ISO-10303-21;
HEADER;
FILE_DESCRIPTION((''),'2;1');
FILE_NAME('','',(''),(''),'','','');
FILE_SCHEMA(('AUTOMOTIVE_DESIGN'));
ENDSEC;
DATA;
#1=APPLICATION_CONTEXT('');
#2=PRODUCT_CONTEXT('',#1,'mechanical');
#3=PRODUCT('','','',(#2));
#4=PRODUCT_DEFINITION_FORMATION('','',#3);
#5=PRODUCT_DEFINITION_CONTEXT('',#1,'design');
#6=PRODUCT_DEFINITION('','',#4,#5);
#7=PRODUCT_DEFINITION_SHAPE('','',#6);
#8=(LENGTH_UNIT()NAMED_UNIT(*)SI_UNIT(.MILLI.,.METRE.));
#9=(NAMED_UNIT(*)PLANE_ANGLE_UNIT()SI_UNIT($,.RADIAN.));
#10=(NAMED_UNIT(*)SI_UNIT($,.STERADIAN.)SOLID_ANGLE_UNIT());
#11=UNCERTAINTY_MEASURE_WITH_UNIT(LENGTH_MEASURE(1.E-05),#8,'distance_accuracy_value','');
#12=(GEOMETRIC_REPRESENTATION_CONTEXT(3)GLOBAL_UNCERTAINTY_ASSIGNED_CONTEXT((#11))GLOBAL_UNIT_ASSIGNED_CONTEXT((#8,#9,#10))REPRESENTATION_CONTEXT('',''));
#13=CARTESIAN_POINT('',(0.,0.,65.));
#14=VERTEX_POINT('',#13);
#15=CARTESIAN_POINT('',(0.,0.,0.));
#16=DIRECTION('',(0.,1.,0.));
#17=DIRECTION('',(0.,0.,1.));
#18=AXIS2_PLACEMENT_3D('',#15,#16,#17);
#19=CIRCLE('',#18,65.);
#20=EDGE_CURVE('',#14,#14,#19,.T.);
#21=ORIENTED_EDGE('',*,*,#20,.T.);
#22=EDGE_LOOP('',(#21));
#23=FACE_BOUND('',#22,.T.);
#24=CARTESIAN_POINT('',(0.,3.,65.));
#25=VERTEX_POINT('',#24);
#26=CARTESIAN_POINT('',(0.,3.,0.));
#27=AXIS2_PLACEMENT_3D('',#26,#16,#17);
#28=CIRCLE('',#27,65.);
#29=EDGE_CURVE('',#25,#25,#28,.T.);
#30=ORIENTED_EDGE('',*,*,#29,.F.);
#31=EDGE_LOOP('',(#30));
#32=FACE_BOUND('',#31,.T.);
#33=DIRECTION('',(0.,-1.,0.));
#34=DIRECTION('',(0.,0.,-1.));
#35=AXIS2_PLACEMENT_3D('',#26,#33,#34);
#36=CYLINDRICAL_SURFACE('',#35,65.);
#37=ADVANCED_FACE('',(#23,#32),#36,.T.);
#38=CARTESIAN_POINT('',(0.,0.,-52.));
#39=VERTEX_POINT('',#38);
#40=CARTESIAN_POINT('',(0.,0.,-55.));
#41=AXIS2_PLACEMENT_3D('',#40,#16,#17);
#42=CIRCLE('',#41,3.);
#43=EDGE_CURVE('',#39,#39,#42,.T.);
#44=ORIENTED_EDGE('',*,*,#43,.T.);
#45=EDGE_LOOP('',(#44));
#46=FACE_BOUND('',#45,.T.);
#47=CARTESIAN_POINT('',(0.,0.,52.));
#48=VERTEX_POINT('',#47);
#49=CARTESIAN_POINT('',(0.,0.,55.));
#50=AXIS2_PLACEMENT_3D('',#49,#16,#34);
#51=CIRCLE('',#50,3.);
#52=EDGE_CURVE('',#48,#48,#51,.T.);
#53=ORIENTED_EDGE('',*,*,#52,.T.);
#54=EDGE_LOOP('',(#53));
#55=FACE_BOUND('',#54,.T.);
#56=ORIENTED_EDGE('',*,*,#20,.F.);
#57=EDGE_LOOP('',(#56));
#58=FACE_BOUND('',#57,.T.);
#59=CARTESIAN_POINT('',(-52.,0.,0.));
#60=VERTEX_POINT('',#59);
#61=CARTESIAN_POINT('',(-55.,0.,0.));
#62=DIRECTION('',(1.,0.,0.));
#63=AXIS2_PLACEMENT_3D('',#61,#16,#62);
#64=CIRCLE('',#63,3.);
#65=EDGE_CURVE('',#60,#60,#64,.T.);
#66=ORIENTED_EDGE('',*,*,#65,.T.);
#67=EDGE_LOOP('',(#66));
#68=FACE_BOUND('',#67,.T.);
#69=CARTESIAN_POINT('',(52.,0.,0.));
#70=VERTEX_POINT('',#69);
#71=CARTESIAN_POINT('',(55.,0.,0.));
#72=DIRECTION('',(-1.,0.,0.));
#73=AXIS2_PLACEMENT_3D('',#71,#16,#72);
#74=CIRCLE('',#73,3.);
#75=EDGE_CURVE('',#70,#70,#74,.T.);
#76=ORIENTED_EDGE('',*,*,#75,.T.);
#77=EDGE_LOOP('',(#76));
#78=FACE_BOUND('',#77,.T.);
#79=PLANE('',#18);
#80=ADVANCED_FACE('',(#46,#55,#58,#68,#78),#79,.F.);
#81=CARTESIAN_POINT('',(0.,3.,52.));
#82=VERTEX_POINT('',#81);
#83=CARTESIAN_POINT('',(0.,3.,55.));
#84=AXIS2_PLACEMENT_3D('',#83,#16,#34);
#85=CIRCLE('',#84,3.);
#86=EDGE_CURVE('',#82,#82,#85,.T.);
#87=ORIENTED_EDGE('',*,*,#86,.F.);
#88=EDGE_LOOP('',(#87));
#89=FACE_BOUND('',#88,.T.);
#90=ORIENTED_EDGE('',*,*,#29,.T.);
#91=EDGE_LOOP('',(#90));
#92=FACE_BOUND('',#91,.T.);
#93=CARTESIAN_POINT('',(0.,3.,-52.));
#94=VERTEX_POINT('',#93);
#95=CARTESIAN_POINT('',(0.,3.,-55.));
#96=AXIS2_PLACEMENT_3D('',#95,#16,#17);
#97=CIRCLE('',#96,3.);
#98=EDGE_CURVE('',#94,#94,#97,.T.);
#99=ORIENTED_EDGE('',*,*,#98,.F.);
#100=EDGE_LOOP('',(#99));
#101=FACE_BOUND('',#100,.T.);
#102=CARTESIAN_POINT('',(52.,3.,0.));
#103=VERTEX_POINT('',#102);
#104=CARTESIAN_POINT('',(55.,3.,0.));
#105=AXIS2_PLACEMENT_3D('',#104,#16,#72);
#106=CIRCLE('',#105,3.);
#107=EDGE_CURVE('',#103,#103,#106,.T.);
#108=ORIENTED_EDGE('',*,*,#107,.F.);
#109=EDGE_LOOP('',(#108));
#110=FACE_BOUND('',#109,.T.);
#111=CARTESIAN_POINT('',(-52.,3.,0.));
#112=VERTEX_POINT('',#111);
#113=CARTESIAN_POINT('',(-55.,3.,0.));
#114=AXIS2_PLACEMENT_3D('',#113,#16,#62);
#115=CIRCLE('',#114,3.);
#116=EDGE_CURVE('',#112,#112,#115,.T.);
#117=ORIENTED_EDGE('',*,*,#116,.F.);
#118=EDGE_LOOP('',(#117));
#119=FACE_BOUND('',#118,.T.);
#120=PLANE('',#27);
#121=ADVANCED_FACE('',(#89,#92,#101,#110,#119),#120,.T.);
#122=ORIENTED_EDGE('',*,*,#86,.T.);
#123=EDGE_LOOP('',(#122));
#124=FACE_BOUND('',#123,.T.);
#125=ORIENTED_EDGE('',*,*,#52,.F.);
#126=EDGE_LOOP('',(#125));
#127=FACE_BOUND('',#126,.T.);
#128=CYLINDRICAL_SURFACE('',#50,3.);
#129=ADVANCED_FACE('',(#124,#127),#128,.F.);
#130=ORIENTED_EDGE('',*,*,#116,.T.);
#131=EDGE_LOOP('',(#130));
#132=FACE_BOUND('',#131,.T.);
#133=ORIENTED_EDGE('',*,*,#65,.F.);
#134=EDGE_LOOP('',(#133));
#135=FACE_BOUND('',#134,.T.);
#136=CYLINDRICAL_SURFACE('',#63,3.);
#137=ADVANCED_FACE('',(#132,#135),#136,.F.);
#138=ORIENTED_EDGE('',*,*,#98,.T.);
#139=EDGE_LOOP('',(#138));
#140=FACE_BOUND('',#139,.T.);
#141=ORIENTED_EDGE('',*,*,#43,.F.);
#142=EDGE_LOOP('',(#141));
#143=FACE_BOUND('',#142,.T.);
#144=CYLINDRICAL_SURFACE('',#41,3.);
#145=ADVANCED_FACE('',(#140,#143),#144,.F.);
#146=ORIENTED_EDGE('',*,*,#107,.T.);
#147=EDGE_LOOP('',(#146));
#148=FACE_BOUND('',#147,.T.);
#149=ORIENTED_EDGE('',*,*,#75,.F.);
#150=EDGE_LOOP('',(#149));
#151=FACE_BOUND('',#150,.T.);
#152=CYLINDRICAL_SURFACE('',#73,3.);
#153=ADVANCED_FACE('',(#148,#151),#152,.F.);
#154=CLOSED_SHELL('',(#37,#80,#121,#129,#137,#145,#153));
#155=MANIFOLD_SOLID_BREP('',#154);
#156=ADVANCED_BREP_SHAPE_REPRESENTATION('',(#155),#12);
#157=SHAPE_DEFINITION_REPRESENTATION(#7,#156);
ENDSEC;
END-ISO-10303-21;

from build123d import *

# Parameters (mm, degrees)
SKETCH1_R           = 65
BOSS_EXTRUDE1_DEPTH = 3
SKETCH2_R           = 3
CUT_EXTRUDE1_DEPTH  = 4
CIRPATTERN1_COUNT   = 4


with BuildPart() as part:
    # Sketch1 → Boss-Extrude1 (new body)
    with BuildSketch(Plane(origin=(0, 0, 0), x_dir=(1, 0, 0), z_dir=(0, 1, 0))):
        Circle(SKETCH1_R)
    extrude(amount=BOSS_EXTRUDE1_DEPTH)

    # Sketch2 → Cut-Extrude1 (cut, through all)
    with BuildSketch(Plane(origin=(0, 3, 0), x_dir=(1, 0, 0), z_dir=(0, 1, 0))):
        with Locations((0, 55)):
            Circle(SKETCH2_R)
    cut_extrude1 = extrude(amount=-CUT_EXTRUDE1_DEPTH, mode=Mode.SUBTRACT)

    # CirPattern1: Cut-Extrude1 ×4 about axis
    cirpattern1_axis = Axis((0, 0, 0), (0, 1, 0))
    for i in range(1, CIRPATTERN1_COUNT):
        add(cut_extrude1.rotate(cirpattern1_axis, i * 360 / CIRPATTERN1_COUNT), mode=Mode.SUBTRACT)


solid = part.part
